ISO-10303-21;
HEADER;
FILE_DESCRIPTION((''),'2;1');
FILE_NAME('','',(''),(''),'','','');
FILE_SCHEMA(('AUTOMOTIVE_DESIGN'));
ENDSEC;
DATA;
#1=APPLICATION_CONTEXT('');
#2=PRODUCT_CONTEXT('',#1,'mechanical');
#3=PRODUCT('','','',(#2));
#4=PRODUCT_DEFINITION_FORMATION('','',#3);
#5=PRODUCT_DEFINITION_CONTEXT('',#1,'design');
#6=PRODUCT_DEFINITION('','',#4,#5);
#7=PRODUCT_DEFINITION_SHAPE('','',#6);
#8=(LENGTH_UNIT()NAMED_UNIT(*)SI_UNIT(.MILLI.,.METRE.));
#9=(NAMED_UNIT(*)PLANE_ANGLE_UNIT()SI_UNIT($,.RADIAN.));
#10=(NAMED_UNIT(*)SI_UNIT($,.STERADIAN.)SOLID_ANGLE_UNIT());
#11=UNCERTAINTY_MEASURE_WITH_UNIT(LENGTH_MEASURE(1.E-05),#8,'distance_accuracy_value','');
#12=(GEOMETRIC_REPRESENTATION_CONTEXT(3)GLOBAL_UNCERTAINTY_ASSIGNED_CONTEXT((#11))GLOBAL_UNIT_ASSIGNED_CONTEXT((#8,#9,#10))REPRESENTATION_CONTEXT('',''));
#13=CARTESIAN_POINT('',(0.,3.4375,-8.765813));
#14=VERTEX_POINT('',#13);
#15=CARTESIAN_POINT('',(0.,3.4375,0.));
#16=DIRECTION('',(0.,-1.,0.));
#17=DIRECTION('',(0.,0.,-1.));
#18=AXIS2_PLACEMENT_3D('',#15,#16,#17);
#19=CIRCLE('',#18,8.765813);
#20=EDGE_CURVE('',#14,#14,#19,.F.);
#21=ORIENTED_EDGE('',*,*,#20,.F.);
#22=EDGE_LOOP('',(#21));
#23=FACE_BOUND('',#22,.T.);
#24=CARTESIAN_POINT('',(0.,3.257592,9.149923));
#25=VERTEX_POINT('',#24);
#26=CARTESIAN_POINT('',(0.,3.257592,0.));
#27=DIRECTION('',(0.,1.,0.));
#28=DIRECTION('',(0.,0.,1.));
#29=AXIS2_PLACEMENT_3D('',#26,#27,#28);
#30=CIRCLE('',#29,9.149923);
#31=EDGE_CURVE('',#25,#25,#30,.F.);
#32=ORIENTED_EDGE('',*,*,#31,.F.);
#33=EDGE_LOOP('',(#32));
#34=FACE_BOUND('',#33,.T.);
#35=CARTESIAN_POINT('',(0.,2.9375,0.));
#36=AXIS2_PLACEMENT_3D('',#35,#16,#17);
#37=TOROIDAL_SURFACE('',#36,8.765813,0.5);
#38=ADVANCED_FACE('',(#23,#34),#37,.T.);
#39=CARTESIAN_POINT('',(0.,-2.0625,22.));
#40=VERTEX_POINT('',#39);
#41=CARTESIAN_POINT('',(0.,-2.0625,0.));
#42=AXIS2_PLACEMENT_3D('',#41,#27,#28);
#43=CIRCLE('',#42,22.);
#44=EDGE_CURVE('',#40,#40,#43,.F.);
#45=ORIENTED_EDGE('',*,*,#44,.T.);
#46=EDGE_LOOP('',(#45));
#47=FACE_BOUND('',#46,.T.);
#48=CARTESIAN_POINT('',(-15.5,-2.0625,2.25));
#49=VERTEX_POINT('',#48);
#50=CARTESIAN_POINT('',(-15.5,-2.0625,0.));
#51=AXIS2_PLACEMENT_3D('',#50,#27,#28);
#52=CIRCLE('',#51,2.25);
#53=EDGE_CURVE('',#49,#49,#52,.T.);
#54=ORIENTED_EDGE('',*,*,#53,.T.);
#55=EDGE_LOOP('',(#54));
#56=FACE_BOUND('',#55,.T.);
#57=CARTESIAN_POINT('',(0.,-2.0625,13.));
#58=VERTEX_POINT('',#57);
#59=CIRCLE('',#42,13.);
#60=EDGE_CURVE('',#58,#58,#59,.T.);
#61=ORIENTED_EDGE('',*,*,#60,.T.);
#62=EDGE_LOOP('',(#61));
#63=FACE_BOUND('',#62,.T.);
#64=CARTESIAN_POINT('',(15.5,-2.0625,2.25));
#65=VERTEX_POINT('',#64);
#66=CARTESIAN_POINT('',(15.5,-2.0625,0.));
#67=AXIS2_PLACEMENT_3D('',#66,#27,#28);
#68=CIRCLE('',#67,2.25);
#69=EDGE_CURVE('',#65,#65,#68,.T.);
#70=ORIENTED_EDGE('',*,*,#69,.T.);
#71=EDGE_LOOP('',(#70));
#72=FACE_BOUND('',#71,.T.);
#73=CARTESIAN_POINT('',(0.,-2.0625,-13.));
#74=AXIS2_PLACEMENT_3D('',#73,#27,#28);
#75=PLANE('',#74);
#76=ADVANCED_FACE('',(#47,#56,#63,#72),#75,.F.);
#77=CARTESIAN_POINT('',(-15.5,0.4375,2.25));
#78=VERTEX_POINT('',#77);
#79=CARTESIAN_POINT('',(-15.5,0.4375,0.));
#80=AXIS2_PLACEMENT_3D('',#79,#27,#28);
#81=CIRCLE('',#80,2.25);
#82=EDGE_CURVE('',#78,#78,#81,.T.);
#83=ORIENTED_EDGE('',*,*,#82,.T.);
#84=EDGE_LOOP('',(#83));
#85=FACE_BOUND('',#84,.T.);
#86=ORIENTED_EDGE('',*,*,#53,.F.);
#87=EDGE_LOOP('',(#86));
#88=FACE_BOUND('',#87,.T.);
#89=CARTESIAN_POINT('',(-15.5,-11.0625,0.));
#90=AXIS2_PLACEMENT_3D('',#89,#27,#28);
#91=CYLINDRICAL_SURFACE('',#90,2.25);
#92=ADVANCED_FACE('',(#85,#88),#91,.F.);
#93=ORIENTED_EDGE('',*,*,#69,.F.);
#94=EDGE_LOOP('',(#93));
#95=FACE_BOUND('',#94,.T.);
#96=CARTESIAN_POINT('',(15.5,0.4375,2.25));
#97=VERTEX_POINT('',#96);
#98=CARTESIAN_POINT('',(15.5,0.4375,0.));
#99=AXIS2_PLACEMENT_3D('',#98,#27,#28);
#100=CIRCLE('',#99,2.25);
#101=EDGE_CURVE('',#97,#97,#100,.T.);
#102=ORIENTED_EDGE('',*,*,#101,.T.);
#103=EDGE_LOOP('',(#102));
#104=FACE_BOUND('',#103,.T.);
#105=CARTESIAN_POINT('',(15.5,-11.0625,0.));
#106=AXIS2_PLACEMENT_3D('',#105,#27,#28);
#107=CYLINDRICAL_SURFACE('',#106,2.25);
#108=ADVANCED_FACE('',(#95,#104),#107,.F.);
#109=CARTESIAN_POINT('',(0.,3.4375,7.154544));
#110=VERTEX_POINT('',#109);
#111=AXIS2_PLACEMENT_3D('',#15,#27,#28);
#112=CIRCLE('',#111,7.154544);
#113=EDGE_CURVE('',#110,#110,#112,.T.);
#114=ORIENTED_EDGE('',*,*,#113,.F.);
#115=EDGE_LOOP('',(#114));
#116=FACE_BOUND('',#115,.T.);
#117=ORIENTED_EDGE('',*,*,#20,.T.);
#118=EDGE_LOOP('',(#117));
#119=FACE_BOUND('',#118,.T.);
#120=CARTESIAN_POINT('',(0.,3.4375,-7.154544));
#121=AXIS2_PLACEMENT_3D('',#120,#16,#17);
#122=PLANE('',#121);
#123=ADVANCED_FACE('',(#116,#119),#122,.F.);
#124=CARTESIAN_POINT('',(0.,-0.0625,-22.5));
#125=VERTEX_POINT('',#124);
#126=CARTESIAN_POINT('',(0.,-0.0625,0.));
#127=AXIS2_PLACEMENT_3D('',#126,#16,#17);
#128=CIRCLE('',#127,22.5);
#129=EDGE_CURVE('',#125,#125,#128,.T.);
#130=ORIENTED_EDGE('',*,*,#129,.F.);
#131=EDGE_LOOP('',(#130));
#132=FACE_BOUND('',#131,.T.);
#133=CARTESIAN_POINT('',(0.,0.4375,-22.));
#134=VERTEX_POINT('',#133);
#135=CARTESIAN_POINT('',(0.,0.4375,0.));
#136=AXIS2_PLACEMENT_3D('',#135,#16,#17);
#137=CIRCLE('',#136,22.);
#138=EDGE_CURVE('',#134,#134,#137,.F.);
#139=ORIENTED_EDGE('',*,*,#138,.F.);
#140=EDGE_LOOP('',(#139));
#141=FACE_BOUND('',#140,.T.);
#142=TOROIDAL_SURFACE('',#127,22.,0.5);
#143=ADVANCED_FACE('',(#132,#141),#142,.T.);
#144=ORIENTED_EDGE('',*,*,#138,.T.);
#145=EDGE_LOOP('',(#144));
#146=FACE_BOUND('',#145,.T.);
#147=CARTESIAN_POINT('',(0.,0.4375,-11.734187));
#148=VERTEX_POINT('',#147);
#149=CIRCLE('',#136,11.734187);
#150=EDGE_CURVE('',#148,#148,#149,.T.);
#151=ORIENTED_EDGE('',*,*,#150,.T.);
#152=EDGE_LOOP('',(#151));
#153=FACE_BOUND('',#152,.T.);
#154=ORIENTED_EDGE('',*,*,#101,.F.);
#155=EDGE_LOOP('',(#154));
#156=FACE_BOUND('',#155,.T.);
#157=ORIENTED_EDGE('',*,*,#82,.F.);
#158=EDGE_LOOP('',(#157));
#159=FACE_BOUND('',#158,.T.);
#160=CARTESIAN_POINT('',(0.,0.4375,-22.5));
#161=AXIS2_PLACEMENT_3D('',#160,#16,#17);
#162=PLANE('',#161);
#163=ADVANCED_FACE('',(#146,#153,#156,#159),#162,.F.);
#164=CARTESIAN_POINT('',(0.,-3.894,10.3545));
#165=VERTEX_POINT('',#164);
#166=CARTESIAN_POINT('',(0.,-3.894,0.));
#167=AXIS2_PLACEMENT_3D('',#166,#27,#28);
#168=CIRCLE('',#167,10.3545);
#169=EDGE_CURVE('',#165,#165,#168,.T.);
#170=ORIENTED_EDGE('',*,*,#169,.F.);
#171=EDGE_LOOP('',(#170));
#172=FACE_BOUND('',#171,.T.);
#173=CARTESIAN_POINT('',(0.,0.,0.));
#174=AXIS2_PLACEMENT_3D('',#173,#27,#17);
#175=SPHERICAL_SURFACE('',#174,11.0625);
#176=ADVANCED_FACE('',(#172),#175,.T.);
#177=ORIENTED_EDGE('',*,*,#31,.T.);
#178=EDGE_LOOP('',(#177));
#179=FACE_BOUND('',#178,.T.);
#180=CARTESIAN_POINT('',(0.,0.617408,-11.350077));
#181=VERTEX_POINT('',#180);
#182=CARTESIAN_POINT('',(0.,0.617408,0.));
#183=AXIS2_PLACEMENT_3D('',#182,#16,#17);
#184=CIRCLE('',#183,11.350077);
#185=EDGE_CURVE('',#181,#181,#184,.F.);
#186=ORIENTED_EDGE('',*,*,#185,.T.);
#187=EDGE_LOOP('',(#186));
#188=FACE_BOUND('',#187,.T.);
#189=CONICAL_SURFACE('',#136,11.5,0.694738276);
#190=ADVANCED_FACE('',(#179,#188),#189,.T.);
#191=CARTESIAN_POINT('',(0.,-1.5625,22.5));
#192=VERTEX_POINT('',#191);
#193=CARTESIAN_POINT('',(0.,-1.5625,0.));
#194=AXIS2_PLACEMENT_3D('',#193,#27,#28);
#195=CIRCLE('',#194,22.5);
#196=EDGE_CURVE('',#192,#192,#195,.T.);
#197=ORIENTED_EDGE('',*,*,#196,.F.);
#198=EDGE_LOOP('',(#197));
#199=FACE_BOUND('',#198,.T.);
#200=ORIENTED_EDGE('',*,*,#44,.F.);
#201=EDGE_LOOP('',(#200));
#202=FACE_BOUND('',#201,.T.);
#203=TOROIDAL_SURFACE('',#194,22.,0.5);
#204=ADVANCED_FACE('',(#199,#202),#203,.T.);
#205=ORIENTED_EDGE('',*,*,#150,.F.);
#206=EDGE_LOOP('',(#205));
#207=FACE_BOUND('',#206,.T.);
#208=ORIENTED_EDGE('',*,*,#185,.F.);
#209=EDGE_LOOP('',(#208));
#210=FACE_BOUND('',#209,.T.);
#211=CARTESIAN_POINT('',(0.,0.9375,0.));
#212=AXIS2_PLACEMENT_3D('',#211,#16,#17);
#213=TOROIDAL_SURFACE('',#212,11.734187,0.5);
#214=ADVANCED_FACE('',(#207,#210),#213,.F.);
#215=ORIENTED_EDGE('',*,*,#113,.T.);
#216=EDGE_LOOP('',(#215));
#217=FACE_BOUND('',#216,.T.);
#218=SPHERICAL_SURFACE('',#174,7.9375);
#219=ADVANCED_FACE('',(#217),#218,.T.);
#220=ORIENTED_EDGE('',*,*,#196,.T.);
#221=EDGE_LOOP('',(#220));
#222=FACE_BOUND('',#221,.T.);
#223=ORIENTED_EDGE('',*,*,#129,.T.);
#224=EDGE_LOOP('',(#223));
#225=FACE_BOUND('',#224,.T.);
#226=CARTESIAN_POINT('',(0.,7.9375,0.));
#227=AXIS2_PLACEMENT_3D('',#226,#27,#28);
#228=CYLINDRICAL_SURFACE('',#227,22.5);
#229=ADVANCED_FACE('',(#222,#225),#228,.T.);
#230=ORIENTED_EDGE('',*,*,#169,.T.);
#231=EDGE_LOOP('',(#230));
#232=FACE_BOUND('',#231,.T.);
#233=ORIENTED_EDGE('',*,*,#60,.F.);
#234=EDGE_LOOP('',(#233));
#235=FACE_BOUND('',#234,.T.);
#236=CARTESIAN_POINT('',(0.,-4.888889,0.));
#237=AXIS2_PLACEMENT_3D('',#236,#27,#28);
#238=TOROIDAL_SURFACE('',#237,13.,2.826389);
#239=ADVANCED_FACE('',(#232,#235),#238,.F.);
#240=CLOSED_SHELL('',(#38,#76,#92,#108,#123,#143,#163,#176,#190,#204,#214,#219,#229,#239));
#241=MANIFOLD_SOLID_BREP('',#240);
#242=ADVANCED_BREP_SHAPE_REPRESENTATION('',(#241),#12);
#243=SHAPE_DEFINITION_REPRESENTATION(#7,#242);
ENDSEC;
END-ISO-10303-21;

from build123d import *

# Parameters (mm, degrees)
SKETCH3_R          = 2.25
CUT_EXTRUDE1_DEPTH = 12.5
FILLET1_R          = 0.5


with BuildPart() as part:
    # Sketch2 → Revolve1 (revolve)
    with BuildSketch(Plane(origin=(0, 0, 0), x_dir=(0, 0, -1), z_dir=(1, 0, 0))):
        with BuildLine():
            Line((0, 7.9375), (0, -11.0625))
            ThreePointArc((0, -11.0625), (6.296885391, -9.09550112), (10.3545, -3.894))
            ThreePointArc((10.3545, -3.894), (11.39119124, -2.565054014), (13, -2.0625))
            Line((13, -2.0625), (22.5, -2.0625))
            Line((22.5, -2.0625), (22.5, 0.4375))
            Line((22.5, 0.4375), (11.5, 0.4375))
            Line((11.5, 0.4375), (9, 3.4375))
            Line((9, 3.4375), (7.154544011, 3.4375))
            ThreePointArc((7.154544011, 3.4375), (4.226035376, 6.71896802), (0, 7.9375))
        make_face()
    revolve(axis=Axis((0, 7.9375, 0), (0, -1, 0)))

    # Sketch3 → Cut-Extrude1 (cut, through all)
    with BuildSketch(Plane(origin=(0, 0.4375, 0), x_dir=(1, 0, 0), z_dir=(0, 1, 0))):
        with Locations((-15.5, 0)):
            Circle(SKETCH3_R)
        with Locations((15.5, 0)):
            Circle(SKETCH3_R)
    extrude(amount=-CUT_EXTRUDE1_DEPTH, mode=Mode.SUBTRACT)

    # Fillet1
    fillet1_edges = [part.edges().sort_by_distance(p)[0] for p in [
        (0, 0.4375, 11.5),
        (0, 3.4375, 9),
        (0, -2.0625, 22.5),
        (0, 0.4375, 22.5),
    ]]
    fillet(fillet1_edges, radius=FILLET1_R)


solid = part.part
